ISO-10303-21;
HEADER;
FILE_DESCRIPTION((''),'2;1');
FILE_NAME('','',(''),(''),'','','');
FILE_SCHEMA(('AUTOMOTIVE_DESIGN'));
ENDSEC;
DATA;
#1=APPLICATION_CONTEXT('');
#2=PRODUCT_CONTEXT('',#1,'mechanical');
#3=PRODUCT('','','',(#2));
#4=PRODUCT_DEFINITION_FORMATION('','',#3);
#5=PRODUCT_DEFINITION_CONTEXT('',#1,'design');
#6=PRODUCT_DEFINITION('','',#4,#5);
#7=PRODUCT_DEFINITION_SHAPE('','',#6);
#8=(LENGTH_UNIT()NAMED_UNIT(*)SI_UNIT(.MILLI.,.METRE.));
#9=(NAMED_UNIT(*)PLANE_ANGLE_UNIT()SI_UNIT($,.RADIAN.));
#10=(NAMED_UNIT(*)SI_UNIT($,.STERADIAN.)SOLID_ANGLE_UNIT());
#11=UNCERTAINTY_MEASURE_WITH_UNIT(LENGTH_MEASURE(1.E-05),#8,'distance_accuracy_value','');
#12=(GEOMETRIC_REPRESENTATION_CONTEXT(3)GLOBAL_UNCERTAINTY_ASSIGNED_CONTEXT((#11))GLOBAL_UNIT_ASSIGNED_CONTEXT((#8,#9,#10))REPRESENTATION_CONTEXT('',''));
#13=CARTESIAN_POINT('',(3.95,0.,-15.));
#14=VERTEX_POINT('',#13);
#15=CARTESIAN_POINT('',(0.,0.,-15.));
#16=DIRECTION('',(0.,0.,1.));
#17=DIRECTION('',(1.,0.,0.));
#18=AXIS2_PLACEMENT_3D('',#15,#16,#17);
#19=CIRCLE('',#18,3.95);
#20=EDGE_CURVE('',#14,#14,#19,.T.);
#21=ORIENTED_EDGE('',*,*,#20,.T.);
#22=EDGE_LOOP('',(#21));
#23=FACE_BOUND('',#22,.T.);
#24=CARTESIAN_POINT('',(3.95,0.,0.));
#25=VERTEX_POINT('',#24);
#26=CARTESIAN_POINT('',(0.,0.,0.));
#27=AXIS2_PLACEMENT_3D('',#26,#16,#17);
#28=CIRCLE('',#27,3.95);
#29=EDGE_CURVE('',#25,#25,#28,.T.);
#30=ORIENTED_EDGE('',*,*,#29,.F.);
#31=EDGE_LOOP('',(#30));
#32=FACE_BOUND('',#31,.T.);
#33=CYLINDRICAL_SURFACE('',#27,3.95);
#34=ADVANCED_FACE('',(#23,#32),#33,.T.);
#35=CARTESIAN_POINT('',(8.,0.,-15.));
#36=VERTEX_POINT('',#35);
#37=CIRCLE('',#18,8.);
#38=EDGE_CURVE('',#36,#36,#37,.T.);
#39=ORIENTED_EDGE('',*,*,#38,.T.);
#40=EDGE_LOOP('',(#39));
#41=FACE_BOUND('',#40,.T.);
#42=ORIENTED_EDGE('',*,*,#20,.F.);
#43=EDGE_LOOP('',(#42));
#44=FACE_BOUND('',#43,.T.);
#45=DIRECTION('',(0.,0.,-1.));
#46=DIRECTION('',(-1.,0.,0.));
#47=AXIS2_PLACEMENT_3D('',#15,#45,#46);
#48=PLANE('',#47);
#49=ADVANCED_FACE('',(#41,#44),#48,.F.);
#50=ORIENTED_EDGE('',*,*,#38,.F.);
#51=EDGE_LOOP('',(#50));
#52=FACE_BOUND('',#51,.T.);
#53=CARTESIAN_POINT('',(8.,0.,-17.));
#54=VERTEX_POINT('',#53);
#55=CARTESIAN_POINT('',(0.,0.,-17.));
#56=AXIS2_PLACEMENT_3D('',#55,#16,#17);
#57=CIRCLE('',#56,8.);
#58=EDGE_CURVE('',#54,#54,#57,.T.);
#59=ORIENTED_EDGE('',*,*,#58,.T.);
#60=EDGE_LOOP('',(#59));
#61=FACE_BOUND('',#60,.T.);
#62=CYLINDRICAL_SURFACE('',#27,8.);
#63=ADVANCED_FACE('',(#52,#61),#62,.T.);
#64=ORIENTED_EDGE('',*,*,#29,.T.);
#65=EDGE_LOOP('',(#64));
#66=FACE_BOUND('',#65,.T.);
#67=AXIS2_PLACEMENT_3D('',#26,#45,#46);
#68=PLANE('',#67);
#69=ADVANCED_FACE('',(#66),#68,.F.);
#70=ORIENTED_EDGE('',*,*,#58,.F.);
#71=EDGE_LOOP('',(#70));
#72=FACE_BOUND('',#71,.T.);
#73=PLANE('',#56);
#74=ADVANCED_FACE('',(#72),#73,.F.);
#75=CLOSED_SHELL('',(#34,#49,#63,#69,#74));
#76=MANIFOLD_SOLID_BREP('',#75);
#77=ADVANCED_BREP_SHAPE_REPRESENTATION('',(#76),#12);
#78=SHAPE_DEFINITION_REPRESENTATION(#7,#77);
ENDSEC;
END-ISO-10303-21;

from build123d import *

# Parameters (mm, degrees)
SKETCH1_W   = 3.95
SKETCH1_H   = 15
SKETCH1_W_2 = 8
SKETCH1_H_2 = 2


with BuildPart() as part:
    # Sketch1 → Revolve1 (revolve)
    with BuildSketch(Plane(origin=(0, 0, 0), x_dir=(1, 0, 0), z_dir=(0, 1, 0))):
        with Locations((1.975, 7.5)):
            Rectangle(SKETCH1_W, SKETCH1_H)
        with Locations((4, 16)):
            Rectangle(SKETCH1_W_2, SKETCH1_H_2)
    revolve(axis=Axis((0, 0, 0), (0, 0, -1)))


solid = part.part
